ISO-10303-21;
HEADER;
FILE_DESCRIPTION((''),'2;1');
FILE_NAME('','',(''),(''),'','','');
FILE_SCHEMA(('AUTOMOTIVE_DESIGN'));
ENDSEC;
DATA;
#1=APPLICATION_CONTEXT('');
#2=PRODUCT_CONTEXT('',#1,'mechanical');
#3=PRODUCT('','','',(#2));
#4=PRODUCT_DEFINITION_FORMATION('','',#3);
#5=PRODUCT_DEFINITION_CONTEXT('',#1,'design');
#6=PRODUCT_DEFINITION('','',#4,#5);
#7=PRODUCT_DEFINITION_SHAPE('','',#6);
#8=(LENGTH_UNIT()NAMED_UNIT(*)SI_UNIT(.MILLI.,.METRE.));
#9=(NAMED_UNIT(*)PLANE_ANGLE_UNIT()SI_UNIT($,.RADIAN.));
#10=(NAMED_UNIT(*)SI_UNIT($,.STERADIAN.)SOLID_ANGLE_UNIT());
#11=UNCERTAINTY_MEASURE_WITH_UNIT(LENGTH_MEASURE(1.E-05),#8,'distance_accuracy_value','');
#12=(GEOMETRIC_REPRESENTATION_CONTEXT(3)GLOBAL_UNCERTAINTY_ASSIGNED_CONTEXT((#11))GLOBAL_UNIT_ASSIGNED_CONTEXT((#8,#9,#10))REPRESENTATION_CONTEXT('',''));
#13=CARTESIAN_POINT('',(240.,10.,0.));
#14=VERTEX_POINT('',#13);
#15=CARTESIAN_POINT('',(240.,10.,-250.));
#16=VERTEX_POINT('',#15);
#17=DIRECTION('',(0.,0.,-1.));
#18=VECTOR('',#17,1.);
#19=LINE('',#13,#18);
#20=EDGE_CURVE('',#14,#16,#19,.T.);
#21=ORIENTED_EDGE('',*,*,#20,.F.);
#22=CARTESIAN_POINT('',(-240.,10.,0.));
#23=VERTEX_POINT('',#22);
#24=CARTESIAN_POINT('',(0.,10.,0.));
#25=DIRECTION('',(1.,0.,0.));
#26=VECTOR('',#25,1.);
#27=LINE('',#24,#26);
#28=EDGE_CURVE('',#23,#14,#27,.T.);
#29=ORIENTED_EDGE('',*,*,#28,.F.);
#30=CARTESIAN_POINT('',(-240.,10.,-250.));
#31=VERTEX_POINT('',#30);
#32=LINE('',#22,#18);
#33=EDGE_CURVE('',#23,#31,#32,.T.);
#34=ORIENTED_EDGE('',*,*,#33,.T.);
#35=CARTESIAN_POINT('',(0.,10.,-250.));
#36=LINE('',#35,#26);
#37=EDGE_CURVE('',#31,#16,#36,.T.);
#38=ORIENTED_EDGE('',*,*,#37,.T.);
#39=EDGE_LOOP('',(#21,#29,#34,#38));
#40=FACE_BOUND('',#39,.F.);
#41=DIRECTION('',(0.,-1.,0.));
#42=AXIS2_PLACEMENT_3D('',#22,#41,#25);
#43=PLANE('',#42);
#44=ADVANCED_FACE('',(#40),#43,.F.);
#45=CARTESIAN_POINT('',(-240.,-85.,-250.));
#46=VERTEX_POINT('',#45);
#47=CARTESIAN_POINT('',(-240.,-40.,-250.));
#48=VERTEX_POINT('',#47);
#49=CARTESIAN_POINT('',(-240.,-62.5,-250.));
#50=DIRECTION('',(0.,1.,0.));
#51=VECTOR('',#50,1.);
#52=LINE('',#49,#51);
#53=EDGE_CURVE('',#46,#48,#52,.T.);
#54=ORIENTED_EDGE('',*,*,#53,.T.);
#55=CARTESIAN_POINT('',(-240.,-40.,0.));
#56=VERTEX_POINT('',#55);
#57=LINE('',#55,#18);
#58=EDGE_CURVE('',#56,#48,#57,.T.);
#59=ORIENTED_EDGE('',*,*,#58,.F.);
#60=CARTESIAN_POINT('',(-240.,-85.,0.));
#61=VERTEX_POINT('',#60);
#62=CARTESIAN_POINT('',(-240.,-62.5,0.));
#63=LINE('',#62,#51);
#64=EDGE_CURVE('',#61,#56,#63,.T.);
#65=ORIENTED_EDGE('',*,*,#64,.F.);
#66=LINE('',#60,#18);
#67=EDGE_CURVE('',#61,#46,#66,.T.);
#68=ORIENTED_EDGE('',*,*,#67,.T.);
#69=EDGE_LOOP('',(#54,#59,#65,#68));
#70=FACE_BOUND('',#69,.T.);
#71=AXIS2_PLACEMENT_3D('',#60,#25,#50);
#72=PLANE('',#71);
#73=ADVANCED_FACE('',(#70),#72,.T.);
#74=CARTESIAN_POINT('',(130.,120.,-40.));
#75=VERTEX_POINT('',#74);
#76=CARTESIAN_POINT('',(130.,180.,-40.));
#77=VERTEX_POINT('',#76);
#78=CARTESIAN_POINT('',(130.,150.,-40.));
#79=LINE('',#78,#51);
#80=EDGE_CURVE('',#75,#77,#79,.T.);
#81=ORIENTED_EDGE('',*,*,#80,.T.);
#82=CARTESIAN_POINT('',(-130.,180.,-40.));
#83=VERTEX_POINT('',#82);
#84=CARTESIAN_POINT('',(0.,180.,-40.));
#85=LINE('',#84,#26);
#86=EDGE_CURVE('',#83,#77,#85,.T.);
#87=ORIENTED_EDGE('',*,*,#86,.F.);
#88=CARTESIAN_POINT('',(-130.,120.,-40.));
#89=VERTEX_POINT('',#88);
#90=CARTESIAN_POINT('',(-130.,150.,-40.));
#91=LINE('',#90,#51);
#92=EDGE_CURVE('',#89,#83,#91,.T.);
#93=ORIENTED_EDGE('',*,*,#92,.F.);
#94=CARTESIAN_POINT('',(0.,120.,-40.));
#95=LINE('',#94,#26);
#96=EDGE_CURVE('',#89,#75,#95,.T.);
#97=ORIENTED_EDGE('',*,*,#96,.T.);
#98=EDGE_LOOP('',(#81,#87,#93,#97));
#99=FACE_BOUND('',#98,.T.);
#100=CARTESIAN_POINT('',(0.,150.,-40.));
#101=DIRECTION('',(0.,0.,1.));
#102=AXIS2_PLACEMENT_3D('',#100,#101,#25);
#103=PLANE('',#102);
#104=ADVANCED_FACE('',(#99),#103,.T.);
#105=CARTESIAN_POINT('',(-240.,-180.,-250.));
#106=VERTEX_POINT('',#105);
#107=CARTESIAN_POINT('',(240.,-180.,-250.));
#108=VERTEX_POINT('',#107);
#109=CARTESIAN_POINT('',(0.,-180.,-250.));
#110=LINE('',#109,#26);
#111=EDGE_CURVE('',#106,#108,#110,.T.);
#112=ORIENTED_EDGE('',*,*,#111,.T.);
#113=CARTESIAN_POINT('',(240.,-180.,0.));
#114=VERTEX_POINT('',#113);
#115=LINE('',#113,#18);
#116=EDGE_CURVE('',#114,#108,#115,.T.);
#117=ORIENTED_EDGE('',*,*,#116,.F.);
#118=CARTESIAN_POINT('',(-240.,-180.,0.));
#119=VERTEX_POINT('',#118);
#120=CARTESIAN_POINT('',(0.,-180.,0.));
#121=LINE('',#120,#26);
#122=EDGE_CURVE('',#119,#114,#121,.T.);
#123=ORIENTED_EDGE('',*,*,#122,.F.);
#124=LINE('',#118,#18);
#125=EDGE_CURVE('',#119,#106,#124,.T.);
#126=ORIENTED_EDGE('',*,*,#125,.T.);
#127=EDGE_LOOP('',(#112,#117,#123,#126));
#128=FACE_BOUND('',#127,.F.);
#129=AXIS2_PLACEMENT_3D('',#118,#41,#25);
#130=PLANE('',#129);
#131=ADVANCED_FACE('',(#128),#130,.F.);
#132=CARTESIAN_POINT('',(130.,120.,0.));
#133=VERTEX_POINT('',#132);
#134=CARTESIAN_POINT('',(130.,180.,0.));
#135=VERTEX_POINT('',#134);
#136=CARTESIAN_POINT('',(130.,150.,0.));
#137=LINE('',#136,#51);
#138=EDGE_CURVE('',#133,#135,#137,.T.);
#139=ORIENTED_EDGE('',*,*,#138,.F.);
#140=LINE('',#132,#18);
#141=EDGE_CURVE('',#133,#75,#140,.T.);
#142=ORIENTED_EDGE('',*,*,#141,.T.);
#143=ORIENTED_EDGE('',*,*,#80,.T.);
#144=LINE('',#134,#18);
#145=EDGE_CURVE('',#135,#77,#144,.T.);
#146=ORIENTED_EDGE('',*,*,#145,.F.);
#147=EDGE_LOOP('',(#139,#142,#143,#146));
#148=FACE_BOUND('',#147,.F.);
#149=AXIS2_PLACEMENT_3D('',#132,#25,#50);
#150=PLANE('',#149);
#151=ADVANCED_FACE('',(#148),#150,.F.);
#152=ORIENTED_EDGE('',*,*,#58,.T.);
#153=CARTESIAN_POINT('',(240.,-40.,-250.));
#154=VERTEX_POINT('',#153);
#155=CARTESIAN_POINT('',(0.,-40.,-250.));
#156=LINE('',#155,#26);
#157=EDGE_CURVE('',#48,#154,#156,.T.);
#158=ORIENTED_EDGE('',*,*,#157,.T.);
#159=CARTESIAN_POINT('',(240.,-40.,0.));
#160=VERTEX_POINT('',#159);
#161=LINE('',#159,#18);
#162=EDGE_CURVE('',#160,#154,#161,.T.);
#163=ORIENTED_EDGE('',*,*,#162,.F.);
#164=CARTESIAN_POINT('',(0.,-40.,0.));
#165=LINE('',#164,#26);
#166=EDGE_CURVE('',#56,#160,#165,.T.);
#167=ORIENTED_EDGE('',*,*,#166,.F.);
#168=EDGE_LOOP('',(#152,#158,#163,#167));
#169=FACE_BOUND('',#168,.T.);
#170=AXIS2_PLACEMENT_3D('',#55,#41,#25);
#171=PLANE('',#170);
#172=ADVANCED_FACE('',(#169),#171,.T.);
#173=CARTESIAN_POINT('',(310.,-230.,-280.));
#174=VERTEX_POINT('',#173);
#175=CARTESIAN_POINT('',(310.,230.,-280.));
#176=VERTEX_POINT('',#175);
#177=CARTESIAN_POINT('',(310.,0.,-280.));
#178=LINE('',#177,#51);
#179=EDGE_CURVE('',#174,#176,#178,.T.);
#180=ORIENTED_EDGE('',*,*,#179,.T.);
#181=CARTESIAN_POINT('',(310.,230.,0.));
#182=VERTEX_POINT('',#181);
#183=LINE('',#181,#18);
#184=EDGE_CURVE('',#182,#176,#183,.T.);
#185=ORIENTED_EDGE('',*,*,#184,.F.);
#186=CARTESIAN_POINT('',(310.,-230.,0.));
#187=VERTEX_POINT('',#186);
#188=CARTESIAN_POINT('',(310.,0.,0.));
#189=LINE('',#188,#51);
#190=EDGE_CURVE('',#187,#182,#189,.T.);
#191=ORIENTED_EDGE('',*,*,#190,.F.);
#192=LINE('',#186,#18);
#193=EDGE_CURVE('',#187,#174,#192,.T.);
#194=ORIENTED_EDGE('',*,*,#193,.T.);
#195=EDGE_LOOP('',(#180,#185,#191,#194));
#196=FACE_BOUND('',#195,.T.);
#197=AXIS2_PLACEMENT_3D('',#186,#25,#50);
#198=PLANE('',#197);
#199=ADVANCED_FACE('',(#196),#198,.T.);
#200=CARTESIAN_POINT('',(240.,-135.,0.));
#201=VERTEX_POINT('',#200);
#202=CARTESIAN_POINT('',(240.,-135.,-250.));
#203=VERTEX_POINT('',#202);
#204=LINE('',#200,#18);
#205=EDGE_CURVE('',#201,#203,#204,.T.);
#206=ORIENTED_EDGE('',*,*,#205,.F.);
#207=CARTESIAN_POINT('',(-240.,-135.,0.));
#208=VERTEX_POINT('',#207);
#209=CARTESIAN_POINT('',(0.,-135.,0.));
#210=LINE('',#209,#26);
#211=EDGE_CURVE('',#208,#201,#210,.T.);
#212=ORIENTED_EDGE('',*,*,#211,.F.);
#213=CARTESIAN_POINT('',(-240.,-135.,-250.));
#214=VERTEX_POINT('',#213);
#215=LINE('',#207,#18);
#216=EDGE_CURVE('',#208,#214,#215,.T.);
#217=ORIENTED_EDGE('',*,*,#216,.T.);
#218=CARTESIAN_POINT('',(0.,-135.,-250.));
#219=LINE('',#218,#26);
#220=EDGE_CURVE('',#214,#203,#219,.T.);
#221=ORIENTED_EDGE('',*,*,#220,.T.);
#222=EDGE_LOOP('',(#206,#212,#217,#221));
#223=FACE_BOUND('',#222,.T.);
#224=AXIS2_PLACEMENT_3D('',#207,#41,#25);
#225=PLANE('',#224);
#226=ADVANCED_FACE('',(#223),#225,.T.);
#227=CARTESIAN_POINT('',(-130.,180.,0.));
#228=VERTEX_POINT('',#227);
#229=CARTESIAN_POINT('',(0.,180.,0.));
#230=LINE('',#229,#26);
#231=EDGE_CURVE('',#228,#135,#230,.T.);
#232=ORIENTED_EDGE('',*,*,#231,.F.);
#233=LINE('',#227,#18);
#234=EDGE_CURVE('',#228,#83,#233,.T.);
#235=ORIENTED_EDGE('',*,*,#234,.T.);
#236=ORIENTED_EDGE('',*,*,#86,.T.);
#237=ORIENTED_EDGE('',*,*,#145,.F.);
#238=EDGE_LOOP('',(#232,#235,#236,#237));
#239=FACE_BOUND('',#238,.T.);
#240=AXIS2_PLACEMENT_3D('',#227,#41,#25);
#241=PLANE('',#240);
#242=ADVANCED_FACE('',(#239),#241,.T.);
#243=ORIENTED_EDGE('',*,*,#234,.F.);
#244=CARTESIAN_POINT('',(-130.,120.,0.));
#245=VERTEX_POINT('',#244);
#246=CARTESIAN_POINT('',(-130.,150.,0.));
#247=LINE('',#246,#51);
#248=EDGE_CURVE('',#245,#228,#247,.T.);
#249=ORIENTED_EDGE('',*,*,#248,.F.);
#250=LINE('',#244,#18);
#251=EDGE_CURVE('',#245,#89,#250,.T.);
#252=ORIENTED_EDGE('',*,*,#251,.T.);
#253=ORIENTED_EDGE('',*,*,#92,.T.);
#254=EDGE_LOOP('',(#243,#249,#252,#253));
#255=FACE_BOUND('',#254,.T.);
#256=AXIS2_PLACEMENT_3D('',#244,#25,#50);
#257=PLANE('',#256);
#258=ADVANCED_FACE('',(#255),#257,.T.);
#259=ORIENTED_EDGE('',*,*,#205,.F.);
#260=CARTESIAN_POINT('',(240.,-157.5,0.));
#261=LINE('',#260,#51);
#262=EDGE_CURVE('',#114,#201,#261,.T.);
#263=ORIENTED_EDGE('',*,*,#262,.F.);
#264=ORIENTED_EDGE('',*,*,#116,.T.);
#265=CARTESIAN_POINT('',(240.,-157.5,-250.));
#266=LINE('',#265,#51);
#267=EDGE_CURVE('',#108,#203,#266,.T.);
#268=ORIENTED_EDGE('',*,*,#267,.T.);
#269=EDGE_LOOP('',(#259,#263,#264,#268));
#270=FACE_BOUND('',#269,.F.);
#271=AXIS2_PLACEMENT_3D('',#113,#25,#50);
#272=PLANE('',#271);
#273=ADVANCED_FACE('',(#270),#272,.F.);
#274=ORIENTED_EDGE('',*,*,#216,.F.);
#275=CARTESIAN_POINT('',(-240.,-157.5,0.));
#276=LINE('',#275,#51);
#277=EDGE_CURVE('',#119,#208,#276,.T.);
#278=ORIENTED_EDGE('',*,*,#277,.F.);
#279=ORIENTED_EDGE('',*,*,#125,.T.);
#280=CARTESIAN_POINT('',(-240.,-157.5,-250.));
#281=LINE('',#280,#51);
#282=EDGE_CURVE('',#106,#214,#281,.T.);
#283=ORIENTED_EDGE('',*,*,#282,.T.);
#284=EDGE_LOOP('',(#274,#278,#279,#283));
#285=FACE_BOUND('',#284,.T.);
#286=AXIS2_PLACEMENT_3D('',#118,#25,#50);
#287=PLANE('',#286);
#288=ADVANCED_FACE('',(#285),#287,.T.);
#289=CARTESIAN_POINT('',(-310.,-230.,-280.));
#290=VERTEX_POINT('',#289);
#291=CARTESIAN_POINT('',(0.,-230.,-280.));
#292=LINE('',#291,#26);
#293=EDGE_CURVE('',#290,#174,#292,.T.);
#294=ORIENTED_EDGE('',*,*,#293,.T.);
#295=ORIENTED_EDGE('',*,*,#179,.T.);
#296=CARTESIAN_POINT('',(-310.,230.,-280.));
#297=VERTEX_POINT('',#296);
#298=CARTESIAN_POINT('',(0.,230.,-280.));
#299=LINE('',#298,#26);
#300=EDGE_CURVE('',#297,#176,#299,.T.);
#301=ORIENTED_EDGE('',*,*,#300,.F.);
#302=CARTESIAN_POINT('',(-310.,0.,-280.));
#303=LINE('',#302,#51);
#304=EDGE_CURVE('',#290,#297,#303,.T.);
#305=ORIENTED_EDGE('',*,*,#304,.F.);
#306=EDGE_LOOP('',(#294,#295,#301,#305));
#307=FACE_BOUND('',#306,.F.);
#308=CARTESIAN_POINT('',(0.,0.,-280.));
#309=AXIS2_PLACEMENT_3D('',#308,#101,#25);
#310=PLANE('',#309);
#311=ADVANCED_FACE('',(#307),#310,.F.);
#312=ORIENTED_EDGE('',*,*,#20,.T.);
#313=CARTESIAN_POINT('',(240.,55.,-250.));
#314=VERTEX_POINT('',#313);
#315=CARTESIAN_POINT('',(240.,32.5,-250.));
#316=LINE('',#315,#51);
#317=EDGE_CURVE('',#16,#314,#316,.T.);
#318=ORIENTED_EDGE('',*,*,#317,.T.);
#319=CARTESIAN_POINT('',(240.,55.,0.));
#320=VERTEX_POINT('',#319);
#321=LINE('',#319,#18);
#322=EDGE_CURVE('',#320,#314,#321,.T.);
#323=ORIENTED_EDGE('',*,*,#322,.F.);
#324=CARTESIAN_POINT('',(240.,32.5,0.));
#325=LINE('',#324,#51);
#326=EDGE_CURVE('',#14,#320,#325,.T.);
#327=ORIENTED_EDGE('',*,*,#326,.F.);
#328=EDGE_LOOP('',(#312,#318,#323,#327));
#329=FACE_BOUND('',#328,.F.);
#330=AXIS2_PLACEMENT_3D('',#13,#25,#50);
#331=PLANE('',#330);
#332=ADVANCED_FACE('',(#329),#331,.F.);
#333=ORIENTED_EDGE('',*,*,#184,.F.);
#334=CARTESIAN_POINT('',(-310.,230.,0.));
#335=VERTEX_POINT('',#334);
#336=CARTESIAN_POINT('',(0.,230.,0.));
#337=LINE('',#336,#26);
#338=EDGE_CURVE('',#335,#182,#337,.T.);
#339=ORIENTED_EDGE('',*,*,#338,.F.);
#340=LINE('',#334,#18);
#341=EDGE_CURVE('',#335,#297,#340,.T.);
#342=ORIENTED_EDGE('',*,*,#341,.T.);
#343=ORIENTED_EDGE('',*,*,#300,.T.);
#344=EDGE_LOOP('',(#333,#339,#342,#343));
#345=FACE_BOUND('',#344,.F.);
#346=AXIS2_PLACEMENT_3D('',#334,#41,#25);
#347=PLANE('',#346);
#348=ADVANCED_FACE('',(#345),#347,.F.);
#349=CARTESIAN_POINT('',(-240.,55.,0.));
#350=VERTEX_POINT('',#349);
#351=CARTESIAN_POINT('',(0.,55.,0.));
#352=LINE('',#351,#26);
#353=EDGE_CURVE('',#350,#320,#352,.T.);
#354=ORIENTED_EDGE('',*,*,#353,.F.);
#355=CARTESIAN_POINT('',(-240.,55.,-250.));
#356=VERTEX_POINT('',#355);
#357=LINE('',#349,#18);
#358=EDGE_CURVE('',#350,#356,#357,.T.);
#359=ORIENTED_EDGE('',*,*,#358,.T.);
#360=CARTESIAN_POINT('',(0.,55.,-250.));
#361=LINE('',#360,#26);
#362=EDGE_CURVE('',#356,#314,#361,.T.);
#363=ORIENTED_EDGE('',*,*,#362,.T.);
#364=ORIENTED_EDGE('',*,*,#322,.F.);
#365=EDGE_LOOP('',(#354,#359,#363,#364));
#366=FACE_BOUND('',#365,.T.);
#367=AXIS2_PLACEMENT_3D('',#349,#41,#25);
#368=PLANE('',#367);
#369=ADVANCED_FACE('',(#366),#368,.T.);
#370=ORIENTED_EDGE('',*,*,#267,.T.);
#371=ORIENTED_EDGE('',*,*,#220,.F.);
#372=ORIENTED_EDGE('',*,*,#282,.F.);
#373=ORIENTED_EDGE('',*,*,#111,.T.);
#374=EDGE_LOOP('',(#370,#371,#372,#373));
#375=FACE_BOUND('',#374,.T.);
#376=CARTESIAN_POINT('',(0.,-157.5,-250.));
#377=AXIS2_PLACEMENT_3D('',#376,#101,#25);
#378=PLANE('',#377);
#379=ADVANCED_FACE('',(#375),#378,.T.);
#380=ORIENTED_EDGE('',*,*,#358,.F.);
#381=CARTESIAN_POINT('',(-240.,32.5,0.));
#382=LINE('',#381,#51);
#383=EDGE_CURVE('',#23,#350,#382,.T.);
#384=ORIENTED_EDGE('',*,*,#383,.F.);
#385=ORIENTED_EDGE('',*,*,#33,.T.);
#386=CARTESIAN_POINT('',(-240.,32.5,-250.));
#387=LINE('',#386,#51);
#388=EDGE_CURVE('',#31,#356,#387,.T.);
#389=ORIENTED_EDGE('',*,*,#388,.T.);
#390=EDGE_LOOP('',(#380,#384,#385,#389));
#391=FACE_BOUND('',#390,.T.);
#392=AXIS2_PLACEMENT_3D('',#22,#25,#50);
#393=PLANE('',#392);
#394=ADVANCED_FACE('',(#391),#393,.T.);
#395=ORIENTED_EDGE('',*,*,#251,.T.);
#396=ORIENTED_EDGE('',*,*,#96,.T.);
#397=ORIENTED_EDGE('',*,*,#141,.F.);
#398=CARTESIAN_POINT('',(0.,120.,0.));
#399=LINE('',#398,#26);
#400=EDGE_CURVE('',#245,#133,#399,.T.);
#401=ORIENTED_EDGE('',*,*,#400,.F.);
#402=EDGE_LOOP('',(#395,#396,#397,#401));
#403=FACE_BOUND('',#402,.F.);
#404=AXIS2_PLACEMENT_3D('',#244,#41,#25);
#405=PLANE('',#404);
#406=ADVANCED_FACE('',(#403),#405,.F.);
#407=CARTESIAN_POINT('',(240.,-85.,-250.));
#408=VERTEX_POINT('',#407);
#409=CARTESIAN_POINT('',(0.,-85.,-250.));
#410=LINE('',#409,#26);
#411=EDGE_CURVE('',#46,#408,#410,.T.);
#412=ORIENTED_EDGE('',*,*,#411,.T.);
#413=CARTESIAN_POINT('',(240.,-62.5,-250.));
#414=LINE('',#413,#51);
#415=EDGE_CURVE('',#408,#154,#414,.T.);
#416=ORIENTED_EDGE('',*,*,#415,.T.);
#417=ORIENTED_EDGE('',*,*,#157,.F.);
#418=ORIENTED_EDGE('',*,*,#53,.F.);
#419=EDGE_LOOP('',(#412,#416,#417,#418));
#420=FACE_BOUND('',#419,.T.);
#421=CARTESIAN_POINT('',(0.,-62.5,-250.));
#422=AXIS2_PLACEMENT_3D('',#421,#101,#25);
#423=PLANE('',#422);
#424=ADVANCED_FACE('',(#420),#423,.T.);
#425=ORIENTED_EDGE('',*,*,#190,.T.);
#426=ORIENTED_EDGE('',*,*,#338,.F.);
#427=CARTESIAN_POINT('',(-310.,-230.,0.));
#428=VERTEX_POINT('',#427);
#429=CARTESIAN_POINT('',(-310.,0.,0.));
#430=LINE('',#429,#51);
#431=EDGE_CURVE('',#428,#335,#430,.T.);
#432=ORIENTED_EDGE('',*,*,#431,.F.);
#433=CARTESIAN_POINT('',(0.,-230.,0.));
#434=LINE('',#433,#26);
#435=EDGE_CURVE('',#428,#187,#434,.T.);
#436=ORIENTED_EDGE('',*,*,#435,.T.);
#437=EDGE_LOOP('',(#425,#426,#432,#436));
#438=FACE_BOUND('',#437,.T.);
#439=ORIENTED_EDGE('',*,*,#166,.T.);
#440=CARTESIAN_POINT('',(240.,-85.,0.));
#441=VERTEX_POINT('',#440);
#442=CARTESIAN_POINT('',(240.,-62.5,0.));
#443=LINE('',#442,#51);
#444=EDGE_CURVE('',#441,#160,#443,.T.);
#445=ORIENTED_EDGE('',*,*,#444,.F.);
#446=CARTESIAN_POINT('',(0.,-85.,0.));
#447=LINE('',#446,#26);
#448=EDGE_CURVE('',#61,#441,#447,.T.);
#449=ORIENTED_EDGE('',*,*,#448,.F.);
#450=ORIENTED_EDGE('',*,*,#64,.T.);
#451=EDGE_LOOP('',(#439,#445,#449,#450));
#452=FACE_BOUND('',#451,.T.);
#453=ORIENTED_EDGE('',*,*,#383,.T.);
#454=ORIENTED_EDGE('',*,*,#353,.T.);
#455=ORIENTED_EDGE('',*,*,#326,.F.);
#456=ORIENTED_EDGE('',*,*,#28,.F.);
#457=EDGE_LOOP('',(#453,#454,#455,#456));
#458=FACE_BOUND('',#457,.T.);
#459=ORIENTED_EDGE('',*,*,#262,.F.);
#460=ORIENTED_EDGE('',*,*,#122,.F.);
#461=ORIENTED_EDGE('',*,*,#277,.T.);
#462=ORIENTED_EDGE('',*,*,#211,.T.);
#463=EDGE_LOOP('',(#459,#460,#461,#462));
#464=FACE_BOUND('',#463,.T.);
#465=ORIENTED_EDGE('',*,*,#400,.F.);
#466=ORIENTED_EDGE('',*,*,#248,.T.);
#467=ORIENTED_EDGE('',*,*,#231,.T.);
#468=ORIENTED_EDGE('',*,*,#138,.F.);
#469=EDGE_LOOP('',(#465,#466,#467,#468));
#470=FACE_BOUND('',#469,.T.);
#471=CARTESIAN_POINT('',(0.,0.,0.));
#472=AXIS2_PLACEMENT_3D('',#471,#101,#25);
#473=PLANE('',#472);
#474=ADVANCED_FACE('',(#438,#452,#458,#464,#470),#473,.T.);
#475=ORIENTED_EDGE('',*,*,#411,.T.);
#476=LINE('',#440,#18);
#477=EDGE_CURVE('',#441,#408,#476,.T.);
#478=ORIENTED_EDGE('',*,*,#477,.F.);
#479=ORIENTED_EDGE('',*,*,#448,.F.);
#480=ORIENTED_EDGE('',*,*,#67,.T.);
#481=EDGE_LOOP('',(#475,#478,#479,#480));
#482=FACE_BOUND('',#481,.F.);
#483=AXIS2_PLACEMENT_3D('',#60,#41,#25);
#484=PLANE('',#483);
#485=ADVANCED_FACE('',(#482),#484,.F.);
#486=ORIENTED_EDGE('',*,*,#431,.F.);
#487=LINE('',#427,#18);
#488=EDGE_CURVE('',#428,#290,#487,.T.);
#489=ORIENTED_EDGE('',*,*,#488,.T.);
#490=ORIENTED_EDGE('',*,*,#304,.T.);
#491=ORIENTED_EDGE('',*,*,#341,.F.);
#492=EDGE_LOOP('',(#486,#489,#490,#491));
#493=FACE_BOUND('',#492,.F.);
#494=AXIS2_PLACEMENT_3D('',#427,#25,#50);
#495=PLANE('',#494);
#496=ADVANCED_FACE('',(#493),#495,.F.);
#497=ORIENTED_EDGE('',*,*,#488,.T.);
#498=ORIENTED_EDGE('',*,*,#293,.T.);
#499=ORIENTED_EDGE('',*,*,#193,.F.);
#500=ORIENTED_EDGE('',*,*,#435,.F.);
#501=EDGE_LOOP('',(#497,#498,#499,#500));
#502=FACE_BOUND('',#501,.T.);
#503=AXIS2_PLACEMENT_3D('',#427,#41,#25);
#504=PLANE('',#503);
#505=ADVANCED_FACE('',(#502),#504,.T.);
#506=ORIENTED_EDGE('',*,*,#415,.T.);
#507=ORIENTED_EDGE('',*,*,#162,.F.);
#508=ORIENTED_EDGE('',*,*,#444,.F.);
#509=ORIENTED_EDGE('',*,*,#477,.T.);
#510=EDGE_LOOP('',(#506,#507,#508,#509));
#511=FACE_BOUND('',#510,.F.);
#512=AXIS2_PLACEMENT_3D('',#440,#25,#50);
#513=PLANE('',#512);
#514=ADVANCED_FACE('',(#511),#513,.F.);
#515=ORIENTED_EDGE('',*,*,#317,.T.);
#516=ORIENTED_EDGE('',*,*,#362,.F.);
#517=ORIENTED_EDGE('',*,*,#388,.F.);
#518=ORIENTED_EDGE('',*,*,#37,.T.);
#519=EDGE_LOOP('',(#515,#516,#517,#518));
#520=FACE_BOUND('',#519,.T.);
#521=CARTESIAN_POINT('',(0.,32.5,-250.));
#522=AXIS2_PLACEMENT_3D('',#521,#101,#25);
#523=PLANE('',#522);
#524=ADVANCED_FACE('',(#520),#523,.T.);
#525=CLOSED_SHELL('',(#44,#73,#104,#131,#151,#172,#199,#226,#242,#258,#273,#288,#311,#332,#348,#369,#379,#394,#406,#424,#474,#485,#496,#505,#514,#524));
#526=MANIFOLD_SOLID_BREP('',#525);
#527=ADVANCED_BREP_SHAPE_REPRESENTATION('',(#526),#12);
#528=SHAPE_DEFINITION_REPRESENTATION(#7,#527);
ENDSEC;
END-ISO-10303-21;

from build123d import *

# Parameters (mm, degrees)
F0_W     = 620
F0_H     = 460
F0_W_2   = 480
F0_H_2   = 45
F1_DEPTH = 280
F2_DEPTH = 250
F3_W     = 260
F3_H     = 60
F4_DEPTH = 40


with BuildPart() as f1:
    # F0 (on Top) → F1 (new body)
    with BuildSketch(Plane.XY):
        Rectangle(F0_W, F0_H)
        with Locations((0, -157.5)):
            Rectangle(F0_W_2, F0_H_2, mode=Mode.SUBTRACT)
        with Locations((0, -62.5)):
            Rectangle(F0_W_2, F0_H_2, mode=Mode.SUBTRACT)
        with Locations((0, 32.5)):
            Rectangle(F0_W_2, F0_H_2, mode=Mode.SUBTRACT)
        with Locations((0, 32.5)):
            Rectangle(F0_W_2, F0_H_2)
        with Locations((0, -62.5)):
            Rectangle(F0_W_2, F0_H_2)
        with Locations((0, -157.5)):
            Rectangle(F0_W_2, F0_H_2)
    extrude(amount=-F1_DEPTH)

    # F0 (on Top) → F2 (cut)
    with BuildSketch(Plane.XY):
        with Locations((0, 32.5)):
            Rectangle(F0_W_2, F0_H_2)
        with Locations((0, -62.5)):
            Rectangle(F0_W_2, F0_H_2)
        with Locations((0, -157.5)):
            Rectangle(F0_W_2, F0_H_2)
    extrude(amount=-F2_DEPTH, mode=Mode.SUBTRACT)

    # F3 (on face) → F4 (cut)
    with BuildSketch(Plane.XY):
        with Locations((0, 150)):
            Rectangle(F3_W, F3_H)
    extrude(amount=-F4_DEPTH, mode=Mode.SUBTRACT)


solid = f1.part
